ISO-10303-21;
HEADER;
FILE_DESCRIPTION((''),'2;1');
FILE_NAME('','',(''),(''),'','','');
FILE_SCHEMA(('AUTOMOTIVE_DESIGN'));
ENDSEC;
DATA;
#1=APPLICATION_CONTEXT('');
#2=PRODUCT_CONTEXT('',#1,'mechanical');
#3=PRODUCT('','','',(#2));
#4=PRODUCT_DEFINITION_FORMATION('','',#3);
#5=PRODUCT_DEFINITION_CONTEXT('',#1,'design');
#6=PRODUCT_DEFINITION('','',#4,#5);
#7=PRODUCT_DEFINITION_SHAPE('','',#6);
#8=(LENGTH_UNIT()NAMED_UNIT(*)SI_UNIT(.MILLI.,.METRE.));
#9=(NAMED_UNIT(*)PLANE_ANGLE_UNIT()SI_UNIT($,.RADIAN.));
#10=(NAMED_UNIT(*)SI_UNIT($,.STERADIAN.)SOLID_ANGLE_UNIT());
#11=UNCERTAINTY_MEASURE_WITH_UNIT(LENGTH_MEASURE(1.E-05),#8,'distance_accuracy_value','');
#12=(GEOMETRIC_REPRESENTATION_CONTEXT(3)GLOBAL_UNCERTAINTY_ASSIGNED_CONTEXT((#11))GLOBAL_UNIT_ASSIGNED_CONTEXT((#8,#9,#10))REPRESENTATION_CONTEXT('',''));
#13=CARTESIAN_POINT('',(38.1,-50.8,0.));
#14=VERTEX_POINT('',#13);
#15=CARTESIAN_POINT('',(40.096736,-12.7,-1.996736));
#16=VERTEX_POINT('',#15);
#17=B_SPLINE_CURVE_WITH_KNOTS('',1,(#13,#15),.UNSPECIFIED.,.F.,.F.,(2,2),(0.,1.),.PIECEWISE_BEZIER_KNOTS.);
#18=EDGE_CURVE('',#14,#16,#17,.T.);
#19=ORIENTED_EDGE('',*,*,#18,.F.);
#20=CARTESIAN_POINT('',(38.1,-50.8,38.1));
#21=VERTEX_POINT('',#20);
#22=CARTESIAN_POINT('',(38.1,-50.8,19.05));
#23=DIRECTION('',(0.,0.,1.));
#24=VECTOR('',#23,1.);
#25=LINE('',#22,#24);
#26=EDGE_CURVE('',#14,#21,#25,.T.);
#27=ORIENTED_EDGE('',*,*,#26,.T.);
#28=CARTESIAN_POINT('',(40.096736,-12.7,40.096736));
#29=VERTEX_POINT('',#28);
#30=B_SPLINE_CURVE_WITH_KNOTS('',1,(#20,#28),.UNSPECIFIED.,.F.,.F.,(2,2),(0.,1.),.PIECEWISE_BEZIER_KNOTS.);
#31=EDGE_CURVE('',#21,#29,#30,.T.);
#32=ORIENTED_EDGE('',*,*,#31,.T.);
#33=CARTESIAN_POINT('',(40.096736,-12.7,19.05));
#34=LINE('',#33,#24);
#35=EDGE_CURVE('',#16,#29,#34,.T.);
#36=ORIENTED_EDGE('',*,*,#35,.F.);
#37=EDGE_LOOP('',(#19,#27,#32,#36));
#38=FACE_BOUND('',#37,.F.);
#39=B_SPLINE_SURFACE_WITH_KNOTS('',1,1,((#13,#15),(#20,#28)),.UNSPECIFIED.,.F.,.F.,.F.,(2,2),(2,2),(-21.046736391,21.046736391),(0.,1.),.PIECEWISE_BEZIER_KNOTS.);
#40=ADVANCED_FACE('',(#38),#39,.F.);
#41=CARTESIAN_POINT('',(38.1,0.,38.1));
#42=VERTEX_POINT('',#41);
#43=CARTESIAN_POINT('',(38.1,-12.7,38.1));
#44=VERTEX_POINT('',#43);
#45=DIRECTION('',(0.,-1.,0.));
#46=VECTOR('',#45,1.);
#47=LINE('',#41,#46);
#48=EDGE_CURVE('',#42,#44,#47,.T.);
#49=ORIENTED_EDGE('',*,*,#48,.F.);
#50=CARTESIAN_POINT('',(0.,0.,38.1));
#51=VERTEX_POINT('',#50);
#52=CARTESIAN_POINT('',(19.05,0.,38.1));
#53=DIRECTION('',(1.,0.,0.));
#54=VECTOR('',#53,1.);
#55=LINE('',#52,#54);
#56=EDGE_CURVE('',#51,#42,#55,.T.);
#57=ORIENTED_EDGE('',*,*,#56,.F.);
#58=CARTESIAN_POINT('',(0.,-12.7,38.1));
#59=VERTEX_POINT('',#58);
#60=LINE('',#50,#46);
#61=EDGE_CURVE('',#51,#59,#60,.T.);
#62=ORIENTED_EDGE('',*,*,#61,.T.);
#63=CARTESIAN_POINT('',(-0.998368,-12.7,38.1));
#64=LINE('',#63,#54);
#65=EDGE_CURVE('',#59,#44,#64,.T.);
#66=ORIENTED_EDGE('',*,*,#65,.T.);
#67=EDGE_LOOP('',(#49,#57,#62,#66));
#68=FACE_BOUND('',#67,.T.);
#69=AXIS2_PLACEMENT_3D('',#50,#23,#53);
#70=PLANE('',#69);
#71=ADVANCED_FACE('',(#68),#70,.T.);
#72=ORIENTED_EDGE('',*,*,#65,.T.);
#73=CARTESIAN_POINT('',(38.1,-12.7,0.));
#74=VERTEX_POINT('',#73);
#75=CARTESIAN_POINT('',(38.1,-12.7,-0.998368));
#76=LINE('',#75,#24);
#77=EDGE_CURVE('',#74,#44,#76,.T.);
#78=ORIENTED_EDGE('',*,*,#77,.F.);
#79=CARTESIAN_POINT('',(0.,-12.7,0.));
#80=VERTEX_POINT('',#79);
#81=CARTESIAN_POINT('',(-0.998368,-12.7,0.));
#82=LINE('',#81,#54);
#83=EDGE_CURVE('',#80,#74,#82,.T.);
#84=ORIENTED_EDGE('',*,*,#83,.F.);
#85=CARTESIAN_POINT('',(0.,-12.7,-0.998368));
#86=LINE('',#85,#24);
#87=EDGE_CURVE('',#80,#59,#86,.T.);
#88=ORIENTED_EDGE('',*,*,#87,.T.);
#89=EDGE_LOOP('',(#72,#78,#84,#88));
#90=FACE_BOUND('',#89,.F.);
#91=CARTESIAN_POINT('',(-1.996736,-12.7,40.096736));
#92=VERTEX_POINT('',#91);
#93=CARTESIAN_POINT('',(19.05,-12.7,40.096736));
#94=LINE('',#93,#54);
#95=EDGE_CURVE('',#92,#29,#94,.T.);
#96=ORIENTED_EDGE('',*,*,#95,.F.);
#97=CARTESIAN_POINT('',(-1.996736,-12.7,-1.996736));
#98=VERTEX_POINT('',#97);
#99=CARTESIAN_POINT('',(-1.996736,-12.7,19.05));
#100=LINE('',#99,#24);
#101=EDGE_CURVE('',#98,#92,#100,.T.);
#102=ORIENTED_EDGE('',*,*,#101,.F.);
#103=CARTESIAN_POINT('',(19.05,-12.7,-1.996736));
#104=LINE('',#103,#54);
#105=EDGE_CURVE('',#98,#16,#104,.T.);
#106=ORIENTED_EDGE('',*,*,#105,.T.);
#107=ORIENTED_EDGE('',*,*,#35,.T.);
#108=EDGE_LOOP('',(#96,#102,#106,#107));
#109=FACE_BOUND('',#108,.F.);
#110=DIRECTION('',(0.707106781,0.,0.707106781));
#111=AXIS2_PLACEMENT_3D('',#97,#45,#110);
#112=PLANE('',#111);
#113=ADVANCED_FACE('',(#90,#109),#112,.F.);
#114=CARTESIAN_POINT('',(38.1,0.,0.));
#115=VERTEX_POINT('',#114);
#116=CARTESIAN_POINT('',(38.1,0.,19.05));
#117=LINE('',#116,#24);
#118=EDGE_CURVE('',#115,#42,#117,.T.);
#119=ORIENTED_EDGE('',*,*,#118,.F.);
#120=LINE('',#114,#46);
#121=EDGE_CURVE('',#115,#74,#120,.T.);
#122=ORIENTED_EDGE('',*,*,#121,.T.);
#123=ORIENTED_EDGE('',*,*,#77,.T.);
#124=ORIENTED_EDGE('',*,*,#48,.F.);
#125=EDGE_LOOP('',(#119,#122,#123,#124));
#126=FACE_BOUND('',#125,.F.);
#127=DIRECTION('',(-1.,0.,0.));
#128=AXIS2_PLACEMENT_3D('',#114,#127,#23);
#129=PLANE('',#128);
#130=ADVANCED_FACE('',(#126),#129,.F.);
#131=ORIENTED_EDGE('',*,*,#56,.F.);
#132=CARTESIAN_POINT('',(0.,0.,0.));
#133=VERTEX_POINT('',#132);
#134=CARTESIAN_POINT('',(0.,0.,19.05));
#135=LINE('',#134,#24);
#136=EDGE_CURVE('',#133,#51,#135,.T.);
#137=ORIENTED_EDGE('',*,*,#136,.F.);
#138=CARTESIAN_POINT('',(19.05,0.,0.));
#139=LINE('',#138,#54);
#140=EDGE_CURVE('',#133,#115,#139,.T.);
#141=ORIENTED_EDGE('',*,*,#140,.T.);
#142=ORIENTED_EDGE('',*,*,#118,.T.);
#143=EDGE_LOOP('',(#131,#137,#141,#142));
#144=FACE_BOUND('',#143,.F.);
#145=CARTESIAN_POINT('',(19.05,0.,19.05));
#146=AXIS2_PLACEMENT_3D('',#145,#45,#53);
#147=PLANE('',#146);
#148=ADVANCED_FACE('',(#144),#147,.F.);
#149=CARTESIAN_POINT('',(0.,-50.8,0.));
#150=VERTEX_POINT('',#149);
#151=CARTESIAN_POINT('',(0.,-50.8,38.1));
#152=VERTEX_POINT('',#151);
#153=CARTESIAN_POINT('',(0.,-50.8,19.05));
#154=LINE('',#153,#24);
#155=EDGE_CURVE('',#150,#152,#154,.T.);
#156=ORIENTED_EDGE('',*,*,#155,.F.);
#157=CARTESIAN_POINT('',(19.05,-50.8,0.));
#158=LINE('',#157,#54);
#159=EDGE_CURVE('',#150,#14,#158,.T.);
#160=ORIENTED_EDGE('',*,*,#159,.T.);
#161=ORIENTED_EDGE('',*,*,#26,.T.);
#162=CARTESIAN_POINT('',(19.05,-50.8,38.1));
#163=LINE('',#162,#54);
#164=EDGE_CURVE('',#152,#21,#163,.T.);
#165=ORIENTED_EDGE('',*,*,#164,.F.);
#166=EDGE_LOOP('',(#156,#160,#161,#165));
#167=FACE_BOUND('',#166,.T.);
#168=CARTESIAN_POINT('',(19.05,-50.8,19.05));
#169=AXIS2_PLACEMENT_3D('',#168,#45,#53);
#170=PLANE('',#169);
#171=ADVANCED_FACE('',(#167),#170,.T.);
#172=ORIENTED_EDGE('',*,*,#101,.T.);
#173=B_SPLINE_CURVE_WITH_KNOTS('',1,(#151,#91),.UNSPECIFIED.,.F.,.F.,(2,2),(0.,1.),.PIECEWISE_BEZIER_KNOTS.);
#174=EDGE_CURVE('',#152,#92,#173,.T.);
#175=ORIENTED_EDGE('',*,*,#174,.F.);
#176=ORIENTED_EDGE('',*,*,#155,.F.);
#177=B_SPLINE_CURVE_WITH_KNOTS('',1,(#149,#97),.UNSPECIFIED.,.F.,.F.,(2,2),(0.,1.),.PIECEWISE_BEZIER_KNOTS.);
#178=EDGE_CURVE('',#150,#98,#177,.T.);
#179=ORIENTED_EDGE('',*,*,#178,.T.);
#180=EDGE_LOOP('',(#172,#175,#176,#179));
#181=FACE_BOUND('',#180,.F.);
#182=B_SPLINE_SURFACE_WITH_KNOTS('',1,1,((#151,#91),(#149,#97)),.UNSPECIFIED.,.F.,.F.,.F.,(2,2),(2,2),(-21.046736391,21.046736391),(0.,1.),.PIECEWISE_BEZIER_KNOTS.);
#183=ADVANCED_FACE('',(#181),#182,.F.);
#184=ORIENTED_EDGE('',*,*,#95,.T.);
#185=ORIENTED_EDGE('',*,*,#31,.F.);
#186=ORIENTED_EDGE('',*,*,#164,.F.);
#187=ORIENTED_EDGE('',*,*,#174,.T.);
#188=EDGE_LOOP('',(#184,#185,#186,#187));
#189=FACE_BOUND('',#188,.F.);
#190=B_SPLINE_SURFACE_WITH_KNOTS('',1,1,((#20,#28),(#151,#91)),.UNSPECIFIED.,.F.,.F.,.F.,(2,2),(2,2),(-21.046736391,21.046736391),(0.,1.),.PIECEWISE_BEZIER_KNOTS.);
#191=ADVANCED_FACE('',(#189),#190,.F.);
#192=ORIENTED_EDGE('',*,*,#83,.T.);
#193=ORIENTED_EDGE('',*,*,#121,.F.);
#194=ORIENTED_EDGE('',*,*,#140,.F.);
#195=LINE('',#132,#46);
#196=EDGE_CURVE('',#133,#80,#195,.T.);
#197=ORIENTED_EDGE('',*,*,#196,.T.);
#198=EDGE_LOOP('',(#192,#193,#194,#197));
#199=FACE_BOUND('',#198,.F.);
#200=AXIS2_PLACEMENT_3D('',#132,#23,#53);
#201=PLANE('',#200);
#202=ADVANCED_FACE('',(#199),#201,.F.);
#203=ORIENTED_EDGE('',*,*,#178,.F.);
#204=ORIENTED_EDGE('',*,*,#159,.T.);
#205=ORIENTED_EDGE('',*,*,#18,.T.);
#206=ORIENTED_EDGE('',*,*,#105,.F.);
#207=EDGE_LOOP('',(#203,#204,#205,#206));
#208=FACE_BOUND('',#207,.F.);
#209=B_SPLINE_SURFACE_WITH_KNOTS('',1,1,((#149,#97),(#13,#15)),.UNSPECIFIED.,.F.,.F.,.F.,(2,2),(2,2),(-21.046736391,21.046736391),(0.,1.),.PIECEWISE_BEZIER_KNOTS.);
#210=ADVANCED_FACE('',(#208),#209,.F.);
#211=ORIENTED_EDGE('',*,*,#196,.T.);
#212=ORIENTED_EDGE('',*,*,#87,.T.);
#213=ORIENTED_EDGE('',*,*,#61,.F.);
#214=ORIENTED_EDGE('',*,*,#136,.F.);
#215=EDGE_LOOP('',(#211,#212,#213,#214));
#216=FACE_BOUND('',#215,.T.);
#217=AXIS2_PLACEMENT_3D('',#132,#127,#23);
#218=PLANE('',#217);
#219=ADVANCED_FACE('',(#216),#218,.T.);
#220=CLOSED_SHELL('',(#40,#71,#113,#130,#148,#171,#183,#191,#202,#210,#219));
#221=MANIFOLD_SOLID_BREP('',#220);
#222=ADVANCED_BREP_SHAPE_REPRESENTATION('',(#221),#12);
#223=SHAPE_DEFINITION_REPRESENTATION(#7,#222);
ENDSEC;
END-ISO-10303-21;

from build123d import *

# Parameters (mm, degrees)
F0_W     = 38.1
F0_H     = 38.1
F1_DEPTH = 50.8
F2_W     = 38.1
F2_H     = 38.1
F3_DEPTH = 38.1
F3_TAPER = -3


with BuildPart() as f1:
    # F0 (on Front) → F1 (new body)
    with BuildSketch(Plane.XZ):
        with Locations((19.05, 19.05)):
            Rectangle(F0_W, F0_H)
    extrude(amount=F1_DEPTH)

    # F2 (on face) → F3 (join)
    with BuildSketch(Plane.XZ.offset(50.8)):
        with Locations((19.05, 19.05)):
            Rectangle(F2_W, F2_H)
    extrude(amount=-F3_DEPTH, taper=F3_TAPER)


solid = f1.part
